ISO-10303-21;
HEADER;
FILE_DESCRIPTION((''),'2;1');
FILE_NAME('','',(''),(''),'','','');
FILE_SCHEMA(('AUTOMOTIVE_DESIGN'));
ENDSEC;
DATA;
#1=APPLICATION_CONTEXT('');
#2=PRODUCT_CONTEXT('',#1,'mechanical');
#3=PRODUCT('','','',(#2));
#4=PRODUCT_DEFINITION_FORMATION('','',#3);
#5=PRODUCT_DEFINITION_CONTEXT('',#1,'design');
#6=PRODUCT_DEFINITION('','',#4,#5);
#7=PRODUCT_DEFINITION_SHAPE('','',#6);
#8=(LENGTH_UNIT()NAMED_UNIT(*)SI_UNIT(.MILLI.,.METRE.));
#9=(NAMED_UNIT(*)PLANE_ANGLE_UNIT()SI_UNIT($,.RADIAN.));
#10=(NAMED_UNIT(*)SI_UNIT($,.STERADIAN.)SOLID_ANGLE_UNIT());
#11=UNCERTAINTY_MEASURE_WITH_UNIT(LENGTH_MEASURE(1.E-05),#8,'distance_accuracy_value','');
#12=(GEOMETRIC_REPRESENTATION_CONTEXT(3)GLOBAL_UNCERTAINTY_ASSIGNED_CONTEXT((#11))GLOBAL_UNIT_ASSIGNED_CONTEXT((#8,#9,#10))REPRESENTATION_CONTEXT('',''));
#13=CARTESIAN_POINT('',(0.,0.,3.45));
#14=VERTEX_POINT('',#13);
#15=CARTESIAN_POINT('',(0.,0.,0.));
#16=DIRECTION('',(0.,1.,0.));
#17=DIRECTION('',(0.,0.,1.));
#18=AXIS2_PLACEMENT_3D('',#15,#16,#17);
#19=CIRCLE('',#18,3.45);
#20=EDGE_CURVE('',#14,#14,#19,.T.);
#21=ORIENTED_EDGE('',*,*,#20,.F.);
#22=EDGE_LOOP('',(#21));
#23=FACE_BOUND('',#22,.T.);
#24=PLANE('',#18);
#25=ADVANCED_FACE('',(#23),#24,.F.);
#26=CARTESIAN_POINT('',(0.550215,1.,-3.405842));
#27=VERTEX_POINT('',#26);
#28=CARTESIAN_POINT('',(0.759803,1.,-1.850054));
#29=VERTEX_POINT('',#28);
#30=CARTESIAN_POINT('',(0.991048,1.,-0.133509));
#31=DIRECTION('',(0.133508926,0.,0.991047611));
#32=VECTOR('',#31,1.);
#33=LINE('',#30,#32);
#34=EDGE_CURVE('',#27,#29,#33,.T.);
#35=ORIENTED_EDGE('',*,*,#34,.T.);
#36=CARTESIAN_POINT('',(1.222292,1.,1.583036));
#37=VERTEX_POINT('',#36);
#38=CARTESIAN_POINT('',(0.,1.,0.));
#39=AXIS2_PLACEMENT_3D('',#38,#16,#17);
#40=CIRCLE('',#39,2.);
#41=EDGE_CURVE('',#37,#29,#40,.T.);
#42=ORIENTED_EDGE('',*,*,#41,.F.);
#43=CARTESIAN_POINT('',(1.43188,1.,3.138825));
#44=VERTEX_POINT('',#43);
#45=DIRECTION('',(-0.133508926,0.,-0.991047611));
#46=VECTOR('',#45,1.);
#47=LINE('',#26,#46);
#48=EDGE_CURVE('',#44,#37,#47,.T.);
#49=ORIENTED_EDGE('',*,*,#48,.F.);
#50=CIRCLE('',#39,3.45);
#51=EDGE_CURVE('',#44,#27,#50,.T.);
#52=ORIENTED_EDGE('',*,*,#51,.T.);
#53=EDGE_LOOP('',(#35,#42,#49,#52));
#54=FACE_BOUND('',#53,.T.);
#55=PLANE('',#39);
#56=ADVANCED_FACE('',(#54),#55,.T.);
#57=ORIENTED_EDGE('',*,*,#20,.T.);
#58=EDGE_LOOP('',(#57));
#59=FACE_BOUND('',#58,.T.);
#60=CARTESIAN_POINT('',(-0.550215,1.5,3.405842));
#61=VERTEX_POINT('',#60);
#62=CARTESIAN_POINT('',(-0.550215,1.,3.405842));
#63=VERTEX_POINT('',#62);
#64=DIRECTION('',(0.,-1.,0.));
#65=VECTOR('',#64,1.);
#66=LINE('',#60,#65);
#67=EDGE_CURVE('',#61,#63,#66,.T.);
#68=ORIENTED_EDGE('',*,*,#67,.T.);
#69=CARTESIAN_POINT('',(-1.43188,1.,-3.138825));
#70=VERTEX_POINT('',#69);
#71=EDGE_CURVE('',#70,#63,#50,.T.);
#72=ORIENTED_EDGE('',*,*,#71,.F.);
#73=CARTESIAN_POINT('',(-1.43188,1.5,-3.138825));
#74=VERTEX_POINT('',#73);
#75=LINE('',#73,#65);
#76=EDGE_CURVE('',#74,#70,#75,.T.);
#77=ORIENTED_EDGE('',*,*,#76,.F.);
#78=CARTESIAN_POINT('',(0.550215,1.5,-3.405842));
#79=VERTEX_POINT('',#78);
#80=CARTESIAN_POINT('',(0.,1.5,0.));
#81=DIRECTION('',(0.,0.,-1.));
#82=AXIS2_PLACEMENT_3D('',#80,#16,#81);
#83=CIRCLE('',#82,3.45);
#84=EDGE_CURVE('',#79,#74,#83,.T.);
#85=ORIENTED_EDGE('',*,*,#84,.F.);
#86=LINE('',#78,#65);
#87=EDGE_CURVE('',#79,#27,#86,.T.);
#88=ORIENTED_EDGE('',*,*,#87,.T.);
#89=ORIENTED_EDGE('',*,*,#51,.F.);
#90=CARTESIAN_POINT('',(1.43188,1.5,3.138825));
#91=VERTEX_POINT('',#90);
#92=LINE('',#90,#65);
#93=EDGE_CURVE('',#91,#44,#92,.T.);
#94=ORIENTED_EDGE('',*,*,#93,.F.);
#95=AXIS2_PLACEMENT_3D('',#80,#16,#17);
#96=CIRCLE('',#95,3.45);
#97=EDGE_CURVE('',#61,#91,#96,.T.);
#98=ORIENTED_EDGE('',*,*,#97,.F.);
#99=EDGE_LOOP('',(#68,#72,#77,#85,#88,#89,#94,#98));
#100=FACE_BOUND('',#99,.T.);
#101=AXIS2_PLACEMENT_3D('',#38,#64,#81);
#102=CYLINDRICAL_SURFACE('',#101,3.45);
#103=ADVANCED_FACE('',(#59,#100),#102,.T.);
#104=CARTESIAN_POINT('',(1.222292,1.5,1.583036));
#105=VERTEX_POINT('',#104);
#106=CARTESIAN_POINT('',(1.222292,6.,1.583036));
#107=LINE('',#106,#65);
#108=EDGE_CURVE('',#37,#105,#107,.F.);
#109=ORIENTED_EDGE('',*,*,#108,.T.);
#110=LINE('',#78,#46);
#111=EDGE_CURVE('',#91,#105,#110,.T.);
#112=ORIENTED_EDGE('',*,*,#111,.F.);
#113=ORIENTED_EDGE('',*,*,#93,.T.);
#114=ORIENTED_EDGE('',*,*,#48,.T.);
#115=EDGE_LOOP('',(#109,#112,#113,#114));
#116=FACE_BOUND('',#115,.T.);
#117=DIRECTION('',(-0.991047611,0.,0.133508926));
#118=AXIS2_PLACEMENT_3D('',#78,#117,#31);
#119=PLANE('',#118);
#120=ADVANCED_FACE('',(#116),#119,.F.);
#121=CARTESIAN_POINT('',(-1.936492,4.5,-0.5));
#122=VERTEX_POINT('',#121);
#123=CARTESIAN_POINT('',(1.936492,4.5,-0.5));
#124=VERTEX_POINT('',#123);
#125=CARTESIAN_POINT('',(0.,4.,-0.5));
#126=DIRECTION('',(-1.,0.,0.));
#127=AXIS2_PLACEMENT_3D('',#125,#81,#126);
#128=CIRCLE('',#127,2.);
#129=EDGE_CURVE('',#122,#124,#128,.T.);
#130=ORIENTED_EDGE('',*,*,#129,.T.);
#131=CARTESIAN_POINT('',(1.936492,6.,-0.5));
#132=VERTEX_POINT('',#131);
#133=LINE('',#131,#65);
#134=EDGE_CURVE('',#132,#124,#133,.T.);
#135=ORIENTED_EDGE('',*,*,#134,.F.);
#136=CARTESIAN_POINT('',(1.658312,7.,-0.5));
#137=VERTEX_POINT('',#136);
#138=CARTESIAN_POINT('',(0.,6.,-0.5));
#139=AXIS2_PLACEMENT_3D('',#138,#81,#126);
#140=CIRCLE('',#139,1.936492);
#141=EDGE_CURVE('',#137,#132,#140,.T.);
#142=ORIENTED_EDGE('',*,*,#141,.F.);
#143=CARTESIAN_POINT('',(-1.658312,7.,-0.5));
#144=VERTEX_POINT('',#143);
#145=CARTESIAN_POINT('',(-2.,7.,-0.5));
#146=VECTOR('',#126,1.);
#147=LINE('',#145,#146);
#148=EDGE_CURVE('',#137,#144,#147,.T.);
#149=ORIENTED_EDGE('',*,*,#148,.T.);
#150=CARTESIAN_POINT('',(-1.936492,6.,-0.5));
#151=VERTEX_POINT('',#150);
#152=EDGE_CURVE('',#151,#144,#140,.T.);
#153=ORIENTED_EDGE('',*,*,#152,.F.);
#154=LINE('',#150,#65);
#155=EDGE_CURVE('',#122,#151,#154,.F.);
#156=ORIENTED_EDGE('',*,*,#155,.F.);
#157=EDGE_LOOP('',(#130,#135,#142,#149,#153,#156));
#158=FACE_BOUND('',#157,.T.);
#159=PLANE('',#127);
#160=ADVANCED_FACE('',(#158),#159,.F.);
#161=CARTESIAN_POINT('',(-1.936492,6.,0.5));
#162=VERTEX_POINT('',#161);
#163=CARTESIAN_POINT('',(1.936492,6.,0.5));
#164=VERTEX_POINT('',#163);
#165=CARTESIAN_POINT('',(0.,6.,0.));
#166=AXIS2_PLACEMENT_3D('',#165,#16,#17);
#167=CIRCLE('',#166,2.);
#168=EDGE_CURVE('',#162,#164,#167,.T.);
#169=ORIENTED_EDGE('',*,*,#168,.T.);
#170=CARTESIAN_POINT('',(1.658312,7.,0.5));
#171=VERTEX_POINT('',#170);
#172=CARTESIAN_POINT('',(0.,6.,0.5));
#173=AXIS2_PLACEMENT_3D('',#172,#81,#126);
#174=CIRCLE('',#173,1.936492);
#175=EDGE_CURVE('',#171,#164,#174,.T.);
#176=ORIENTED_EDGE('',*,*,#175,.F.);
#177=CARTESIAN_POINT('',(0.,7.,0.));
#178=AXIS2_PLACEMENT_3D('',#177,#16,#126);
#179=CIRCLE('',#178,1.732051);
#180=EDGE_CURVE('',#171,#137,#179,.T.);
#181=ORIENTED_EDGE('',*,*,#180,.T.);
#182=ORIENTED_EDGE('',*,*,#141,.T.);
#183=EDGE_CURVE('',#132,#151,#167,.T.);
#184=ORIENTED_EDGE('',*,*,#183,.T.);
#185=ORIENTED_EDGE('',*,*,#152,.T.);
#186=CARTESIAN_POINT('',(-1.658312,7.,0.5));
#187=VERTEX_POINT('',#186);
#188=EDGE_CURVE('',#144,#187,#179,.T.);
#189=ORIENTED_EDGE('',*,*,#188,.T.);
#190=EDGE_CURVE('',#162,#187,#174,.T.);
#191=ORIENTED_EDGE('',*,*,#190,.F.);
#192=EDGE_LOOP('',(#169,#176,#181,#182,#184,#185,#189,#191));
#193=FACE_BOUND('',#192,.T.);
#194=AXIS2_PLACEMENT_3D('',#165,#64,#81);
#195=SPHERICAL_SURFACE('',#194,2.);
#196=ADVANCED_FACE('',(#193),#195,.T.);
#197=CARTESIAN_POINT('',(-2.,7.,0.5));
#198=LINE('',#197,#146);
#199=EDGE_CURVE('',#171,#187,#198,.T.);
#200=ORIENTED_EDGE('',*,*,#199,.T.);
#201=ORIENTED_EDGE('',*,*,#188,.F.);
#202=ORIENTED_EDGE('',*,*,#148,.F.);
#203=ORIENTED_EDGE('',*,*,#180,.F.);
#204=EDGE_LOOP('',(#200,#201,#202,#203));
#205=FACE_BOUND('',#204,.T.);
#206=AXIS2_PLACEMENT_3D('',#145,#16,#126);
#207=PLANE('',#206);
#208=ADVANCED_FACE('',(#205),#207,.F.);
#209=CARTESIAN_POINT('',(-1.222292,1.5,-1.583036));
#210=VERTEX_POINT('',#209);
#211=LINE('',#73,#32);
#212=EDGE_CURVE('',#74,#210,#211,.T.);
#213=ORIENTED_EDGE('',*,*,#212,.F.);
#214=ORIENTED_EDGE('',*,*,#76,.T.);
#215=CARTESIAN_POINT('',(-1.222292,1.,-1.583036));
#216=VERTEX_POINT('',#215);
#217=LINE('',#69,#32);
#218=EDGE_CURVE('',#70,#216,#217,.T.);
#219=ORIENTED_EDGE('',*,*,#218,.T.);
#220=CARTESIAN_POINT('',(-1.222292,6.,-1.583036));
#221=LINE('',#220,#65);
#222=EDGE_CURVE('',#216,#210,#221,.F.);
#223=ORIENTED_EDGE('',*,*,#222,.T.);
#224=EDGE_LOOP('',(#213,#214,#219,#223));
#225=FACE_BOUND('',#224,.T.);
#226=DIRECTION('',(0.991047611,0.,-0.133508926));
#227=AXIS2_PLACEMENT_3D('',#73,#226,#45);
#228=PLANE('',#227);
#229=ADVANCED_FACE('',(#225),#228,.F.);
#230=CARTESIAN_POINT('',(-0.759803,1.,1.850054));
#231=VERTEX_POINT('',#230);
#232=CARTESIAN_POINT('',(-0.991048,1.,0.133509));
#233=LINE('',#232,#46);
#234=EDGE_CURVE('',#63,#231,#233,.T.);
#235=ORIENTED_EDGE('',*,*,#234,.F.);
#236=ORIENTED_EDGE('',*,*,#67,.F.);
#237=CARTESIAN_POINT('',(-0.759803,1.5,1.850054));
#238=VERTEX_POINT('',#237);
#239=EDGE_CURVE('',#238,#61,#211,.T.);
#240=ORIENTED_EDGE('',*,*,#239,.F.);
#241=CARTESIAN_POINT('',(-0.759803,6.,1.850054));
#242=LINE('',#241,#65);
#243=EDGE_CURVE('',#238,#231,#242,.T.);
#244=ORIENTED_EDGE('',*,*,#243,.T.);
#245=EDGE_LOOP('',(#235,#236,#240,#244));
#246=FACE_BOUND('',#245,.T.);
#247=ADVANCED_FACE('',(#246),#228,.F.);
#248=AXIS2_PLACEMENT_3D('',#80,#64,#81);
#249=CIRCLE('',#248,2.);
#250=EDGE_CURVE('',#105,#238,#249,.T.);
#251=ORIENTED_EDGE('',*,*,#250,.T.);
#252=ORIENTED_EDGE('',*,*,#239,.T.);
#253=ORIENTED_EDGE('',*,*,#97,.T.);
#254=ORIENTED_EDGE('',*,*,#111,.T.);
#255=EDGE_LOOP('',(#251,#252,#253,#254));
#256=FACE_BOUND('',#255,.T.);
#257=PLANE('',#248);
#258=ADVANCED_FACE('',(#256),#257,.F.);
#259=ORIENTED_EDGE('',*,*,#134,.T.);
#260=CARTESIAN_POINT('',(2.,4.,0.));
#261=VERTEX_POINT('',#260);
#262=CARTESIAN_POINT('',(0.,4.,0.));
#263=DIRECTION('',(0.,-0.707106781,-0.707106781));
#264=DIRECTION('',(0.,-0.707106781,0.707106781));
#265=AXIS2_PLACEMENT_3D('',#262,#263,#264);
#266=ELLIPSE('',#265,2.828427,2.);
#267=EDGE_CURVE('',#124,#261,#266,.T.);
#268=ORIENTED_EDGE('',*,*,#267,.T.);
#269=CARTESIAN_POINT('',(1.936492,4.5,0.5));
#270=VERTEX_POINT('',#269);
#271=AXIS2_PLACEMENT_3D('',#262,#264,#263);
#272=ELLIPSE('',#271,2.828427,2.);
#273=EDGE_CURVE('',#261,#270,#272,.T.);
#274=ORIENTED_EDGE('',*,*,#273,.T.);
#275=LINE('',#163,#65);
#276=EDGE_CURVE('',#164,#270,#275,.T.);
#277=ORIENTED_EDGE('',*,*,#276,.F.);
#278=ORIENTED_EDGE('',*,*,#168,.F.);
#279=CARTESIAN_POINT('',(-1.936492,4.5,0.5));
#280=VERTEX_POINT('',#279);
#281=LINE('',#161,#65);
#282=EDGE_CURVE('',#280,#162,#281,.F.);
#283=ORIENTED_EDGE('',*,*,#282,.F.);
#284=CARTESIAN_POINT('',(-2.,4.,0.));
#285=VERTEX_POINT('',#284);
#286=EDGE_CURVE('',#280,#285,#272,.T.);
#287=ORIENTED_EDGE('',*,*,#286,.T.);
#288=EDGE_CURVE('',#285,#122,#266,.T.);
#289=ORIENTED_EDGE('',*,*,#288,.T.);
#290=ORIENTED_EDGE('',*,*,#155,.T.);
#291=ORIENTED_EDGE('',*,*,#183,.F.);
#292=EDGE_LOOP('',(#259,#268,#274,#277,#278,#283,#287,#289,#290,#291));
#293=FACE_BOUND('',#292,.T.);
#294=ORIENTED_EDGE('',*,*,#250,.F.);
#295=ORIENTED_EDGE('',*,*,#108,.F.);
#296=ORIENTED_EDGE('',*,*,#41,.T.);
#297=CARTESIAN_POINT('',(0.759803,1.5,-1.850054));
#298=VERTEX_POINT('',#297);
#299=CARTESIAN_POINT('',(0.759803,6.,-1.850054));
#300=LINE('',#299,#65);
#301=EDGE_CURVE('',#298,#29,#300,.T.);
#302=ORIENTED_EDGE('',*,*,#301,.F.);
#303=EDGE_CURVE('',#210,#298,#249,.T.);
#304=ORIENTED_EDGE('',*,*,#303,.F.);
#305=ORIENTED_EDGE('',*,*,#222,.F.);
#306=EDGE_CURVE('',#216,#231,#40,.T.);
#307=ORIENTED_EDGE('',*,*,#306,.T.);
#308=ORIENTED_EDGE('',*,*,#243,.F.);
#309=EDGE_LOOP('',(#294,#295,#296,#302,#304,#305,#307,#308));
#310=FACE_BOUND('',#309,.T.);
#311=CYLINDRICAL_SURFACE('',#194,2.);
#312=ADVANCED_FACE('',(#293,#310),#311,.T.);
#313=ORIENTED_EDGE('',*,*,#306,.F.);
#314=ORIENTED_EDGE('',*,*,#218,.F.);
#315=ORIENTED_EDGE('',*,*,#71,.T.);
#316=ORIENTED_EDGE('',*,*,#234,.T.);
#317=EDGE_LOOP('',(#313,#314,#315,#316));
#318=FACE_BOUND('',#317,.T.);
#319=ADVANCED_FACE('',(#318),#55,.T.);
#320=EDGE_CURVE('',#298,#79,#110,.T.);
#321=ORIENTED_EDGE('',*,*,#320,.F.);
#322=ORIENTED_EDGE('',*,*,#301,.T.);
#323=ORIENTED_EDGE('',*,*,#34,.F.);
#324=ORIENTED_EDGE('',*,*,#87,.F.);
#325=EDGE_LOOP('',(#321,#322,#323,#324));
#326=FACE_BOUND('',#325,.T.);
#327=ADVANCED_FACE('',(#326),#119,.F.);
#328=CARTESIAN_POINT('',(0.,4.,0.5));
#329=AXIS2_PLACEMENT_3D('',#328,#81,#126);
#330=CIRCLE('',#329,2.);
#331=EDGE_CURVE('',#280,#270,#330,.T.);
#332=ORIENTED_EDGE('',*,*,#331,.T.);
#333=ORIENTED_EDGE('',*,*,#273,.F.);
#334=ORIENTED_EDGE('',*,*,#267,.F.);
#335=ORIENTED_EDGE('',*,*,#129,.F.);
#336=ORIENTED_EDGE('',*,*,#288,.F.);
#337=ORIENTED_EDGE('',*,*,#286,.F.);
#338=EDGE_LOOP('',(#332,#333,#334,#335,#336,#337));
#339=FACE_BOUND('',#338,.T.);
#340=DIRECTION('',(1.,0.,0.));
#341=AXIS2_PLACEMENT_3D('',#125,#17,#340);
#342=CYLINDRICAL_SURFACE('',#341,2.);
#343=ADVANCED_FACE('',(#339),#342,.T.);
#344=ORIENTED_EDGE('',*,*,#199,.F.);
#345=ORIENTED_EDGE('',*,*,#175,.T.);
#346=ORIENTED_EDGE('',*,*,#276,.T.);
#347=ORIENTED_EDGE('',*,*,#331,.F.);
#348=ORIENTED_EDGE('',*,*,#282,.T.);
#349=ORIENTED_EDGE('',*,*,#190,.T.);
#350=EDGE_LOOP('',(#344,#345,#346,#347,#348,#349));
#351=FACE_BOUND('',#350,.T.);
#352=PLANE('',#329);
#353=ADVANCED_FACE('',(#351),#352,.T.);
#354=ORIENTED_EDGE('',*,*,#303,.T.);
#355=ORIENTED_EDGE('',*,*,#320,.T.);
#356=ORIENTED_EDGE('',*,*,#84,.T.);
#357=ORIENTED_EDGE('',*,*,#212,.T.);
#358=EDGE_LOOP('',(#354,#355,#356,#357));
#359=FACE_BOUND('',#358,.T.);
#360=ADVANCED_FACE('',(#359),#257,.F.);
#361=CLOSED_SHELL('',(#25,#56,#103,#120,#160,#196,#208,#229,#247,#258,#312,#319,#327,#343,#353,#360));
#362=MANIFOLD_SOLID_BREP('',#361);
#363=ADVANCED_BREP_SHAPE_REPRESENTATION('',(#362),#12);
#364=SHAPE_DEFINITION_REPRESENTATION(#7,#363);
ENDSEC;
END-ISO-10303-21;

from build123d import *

# Parameters (mm, degrees)
SKETCH2_R           = 3.45
BOSS_EXTRUDE1_DEPTH = 1
SKETCH4_R           = 2
BOSS_EXTRUDE2_DEPTH = 5
CUT_EXTRUDE1_DEPTH  = 0.5
BOSS_EXTRUDE3_DEPTH = 0.5


with BuildPart() as part:
    # Sketch2 → Boss-Extrude1 (new body)
    with BuildSketch(Plane(origin=(0, 0, 0), x_dir=(1, 0, 0), z_dir=(0, 1, 0))):
        with Locations(Location((0, 0, 0), (0, 0, 270))):
            Circle(SKETCH2_R)
    extrude(amount=BOSS_EXTRUDE1_DEPTH)

    # Sketch4 → Boss-Extrude2 (add)
    with BuildSketch(Plane(origin=(0, 1, 0), x_dir=(1, 0, 0), z_dir=(0, 1, 0))):
        with Locations(Location((0, 0, 0), (0, 0, 270))):
            Circle(SKETCH4_R)
    extrude(amount=BOSS_EXTRUDE2_DEPTH)

    # Sketch5 → Revolve1 (revolve)
    with BuildSketch(Plane(origin=(0, 0, 0), x_dir=(0, 0, -1), z_dir=(1, 0, 0)), mode=Mode.PRIVATE) as revolve1_sk:
        with BuildLine():
            Line((0, 0), (-1, 0))
            Line((-1, 0), (-2, 6))
            ThreePointArc((-2, 6), (-1.414213562, 7.414213562), (0, 8))
            Line((0, 8), (0, 0))
        make_face()
    revolve(revolve1_sk.sketch.rotate(Axis((0, 0, 0), (0, 1, 0)), 180), axis=Axis((0, 0, 0), (0, 1, 0)))

    # Sketch8 → Cut-Extrude1 (cut, symmetric)
    with BuildSketch(Plane.XY):
        with BuildLine():
            Line((-2, 4), (-2, 7))
            Line((-2, 7), (2, 7))
            Line((2, 7), (2, 4))
            ThreePointArc((2, 4), (0, 6), (-2, 4))
        make_face()
    extrude(amount=CUT_EXTRUDE1_DEPTH, both=True, mode=Mode.SUBTRACT)

    # Sketch10 → Boss-Extrude3 (add)
    with BuildSketch(Plane(origin=(0, 1, 0), x_dir=(1, 0, 0), z_dir=(0, 1, 0))):
        with BuildLine():
            Line((-1.431879851, 3.138824635), (-0.55021537, -3.405842487))
            ThreePointArc((-0.55021537, -3.405842487), (0.460605794, -3.419114257), (1.431879851, -3.138824635))
            Line((1.431879851, -3.138824635), (0.55021537, 3.405842487))
            ThreePointArc((0.55021537, 3.405842487), (-0.460605794, 3.419114257), (-1.431879851, 3.138824635))
        make_face()
    extrude(amount=BOSS_EXTRUDE3_DEPTH)


solid = part.part
